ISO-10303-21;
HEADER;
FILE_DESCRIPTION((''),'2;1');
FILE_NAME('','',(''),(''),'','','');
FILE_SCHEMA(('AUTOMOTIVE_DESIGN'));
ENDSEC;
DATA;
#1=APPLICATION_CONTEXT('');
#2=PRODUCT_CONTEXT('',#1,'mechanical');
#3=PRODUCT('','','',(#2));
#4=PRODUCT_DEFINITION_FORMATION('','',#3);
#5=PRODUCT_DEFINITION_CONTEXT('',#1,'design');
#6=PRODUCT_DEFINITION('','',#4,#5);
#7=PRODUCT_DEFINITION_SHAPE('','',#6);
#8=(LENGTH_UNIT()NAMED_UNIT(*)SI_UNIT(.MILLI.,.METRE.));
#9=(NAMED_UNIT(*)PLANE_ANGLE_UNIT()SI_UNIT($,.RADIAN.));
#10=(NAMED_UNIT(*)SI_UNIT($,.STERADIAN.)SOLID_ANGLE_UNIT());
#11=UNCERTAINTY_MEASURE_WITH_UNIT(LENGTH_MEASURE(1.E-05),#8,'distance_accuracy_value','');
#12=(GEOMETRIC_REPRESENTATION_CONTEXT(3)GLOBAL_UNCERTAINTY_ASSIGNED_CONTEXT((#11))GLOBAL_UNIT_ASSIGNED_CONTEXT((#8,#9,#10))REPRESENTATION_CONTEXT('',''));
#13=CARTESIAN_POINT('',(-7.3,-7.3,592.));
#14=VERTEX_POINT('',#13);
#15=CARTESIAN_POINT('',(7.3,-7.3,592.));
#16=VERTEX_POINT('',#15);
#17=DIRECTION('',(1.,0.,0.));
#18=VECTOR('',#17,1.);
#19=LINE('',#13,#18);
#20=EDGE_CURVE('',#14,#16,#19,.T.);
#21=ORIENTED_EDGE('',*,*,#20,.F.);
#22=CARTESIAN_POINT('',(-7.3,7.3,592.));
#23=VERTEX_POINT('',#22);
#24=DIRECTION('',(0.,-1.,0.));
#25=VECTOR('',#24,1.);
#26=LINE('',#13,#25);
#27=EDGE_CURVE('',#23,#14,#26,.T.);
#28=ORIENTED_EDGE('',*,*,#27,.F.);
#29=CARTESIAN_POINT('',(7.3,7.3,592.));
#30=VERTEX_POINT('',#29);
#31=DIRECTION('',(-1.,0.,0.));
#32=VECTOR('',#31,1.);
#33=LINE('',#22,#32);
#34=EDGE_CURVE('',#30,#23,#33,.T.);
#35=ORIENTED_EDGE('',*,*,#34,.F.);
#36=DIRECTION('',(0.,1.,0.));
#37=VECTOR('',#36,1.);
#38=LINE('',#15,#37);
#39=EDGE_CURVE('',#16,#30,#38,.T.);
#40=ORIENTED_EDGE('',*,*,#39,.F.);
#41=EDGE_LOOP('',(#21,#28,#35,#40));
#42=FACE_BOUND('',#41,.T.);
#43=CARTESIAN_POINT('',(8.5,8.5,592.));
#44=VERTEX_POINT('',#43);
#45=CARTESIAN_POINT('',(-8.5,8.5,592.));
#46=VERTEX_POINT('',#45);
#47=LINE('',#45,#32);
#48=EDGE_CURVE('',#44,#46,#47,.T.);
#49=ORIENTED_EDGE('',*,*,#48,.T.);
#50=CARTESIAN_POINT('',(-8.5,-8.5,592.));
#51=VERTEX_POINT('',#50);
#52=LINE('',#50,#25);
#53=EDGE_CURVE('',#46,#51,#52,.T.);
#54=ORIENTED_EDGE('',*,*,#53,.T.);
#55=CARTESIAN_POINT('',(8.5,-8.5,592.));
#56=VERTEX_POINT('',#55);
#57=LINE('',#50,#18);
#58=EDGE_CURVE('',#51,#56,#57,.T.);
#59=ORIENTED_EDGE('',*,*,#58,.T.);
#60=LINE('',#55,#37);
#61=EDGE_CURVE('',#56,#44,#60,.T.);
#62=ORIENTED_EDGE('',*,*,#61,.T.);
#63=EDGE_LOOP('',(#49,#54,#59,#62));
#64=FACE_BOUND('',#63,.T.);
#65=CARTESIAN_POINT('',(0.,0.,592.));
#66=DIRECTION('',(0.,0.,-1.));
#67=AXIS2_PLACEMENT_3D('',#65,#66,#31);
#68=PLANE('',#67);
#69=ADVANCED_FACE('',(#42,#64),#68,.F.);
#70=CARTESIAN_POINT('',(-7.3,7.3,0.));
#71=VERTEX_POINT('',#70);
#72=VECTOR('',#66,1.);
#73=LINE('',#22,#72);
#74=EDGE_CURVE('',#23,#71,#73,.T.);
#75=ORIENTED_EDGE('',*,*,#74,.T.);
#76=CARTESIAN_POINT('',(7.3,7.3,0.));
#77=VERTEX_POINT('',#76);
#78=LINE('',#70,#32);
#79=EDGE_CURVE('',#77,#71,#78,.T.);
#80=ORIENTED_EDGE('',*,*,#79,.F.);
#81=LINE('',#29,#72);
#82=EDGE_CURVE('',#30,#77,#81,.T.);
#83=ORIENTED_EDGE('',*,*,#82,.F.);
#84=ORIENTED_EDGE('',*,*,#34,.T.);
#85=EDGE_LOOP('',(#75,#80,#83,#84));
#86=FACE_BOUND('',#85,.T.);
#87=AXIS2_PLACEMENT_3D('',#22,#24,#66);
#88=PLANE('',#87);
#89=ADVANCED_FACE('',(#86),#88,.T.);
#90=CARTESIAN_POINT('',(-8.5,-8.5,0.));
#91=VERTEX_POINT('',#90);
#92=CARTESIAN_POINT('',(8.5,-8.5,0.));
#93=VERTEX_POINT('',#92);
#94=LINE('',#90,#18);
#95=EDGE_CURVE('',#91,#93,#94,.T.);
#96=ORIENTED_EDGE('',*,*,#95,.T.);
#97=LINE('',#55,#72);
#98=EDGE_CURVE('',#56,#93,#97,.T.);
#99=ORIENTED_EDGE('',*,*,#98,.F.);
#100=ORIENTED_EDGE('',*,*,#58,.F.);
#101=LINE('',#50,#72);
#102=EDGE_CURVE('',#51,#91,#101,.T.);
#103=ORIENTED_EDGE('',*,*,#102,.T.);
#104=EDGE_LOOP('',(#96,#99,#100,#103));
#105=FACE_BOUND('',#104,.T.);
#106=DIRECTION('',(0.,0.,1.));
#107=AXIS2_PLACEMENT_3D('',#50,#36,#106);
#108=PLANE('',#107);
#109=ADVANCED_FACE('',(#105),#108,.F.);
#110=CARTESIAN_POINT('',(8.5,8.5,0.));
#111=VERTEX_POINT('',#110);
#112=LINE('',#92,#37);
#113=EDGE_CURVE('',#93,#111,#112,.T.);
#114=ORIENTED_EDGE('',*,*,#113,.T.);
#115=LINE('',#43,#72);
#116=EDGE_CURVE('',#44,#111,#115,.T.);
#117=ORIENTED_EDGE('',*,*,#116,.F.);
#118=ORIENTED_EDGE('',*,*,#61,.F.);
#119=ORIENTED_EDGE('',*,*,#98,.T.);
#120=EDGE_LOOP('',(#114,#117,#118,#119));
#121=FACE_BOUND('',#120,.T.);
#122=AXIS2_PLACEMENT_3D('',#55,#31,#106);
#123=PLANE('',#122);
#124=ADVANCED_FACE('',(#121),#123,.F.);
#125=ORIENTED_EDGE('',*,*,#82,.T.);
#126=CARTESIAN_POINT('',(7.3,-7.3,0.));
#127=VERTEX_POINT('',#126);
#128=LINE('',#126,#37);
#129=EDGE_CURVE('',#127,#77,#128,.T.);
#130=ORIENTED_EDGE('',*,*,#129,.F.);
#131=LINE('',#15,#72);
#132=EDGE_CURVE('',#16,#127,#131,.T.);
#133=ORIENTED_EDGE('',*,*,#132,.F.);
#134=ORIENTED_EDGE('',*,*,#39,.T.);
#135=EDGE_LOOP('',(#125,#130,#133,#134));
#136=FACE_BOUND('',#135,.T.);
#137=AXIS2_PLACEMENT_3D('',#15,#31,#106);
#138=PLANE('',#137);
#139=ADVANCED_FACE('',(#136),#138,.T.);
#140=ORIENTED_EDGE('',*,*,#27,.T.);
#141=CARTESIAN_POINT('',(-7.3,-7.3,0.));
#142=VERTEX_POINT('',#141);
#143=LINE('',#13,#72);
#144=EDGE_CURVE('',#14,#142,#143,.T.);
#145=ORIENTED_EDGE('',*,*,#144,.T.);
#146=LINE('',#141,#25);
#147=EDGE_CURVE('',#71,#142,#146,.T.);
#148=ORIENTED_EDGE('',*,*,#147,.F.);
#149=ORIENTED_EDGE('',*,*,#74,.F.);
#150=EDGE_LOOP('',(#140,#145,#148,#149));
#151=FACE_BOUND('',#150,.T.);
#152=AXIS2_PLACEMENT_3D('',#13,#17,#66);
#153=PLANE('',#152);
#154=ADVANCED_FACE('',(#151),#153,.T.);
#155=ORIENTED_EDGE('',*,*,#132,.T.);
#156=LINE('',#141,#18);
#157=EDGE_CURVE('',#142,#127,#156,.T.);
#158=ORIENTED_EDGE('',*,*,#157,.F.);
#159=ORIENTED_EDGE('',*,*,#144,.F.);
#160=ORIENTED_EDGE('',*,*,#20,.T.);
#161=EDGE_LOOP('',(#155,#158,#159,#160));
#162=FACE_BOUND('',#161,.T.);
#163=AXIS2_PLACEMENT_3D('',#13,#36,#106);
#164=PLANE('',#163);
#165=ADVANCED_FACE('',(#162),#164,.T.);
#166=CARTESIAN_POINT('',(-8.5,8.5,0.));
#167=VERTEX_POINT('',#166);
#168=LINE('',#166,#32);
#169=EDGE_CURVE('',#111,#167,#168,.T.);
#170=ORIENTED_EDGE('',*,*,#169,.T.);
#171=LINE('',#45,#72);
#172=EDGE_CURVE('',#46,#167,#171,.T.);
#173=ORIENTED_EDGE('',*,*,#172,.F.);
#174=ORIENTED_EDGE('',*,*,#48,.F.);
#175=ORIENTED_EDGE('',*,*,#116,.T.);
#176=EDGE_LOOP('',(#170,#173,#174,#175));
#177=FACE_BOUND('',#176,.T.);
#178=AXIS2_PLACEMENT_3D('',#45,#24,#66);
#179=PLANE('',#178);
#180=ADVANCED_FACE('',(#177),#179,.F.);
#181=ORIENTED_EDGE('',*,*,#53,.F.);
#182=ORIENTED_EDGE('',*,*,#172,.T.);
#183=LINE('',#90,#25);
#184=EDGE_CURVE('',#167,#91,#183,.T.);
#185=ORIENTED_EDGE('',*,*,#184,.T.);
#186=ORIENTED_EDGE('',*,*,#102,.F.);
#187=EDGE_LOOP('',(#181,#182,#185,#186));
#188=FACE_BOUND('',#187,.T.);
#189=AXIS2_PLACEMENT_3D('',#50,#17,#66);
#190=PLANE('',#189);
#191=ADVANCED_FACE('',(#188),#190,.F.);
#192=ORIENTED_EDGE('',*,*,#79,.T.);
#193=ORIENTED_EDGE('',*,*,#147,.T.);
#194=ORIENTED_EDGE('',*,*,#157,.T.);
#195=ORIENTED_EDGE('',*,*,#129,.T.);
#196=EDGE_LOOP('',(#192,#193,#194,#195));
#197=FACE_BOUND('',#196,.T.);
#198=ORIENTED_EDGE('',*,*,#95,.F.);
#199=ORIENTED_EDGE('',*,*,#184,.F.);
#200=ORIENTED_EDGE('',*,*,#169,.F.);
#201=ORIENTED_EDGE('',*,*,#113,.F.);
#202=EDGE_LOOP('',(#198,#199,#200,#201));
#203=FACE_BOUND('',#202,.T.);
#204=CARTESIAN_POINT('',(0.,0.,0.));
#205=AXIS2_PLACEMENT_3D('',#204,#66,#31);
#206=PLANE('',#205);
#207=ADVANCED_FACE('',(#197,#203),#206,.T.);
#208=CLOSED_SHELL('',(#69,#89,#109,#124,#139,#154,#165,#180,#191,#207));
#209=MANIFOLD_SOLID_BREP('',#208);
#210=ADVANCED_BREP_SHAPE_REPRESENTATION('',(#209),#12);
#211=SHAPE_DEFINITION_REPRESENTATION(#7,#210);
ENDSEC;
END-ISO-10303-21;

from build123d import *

# Parameters (mm, degrees)
SKETCH1_W           = 17
SKETCH1_H           = 17
SKETCH1_W_2         = 14.6
SKETCH1_H_2         = 14.6
BOSS_EXTRUDE1_DEPTH = 592


with BuildPart() as part:
    # Sketch1 → Boss-Extrude1 (new body)
    with BuildSketch(Plane.XY):
        Rectangle(SKETCH1_W, SKETCH1_H)
        Rectangle(SKETCH1_W_2, SKETCH1_H_2, mode=Mode.SUBTRACT)
    extrude(amount=BOSS_EXTRUDE1_DEPTH)


solid = part.part
